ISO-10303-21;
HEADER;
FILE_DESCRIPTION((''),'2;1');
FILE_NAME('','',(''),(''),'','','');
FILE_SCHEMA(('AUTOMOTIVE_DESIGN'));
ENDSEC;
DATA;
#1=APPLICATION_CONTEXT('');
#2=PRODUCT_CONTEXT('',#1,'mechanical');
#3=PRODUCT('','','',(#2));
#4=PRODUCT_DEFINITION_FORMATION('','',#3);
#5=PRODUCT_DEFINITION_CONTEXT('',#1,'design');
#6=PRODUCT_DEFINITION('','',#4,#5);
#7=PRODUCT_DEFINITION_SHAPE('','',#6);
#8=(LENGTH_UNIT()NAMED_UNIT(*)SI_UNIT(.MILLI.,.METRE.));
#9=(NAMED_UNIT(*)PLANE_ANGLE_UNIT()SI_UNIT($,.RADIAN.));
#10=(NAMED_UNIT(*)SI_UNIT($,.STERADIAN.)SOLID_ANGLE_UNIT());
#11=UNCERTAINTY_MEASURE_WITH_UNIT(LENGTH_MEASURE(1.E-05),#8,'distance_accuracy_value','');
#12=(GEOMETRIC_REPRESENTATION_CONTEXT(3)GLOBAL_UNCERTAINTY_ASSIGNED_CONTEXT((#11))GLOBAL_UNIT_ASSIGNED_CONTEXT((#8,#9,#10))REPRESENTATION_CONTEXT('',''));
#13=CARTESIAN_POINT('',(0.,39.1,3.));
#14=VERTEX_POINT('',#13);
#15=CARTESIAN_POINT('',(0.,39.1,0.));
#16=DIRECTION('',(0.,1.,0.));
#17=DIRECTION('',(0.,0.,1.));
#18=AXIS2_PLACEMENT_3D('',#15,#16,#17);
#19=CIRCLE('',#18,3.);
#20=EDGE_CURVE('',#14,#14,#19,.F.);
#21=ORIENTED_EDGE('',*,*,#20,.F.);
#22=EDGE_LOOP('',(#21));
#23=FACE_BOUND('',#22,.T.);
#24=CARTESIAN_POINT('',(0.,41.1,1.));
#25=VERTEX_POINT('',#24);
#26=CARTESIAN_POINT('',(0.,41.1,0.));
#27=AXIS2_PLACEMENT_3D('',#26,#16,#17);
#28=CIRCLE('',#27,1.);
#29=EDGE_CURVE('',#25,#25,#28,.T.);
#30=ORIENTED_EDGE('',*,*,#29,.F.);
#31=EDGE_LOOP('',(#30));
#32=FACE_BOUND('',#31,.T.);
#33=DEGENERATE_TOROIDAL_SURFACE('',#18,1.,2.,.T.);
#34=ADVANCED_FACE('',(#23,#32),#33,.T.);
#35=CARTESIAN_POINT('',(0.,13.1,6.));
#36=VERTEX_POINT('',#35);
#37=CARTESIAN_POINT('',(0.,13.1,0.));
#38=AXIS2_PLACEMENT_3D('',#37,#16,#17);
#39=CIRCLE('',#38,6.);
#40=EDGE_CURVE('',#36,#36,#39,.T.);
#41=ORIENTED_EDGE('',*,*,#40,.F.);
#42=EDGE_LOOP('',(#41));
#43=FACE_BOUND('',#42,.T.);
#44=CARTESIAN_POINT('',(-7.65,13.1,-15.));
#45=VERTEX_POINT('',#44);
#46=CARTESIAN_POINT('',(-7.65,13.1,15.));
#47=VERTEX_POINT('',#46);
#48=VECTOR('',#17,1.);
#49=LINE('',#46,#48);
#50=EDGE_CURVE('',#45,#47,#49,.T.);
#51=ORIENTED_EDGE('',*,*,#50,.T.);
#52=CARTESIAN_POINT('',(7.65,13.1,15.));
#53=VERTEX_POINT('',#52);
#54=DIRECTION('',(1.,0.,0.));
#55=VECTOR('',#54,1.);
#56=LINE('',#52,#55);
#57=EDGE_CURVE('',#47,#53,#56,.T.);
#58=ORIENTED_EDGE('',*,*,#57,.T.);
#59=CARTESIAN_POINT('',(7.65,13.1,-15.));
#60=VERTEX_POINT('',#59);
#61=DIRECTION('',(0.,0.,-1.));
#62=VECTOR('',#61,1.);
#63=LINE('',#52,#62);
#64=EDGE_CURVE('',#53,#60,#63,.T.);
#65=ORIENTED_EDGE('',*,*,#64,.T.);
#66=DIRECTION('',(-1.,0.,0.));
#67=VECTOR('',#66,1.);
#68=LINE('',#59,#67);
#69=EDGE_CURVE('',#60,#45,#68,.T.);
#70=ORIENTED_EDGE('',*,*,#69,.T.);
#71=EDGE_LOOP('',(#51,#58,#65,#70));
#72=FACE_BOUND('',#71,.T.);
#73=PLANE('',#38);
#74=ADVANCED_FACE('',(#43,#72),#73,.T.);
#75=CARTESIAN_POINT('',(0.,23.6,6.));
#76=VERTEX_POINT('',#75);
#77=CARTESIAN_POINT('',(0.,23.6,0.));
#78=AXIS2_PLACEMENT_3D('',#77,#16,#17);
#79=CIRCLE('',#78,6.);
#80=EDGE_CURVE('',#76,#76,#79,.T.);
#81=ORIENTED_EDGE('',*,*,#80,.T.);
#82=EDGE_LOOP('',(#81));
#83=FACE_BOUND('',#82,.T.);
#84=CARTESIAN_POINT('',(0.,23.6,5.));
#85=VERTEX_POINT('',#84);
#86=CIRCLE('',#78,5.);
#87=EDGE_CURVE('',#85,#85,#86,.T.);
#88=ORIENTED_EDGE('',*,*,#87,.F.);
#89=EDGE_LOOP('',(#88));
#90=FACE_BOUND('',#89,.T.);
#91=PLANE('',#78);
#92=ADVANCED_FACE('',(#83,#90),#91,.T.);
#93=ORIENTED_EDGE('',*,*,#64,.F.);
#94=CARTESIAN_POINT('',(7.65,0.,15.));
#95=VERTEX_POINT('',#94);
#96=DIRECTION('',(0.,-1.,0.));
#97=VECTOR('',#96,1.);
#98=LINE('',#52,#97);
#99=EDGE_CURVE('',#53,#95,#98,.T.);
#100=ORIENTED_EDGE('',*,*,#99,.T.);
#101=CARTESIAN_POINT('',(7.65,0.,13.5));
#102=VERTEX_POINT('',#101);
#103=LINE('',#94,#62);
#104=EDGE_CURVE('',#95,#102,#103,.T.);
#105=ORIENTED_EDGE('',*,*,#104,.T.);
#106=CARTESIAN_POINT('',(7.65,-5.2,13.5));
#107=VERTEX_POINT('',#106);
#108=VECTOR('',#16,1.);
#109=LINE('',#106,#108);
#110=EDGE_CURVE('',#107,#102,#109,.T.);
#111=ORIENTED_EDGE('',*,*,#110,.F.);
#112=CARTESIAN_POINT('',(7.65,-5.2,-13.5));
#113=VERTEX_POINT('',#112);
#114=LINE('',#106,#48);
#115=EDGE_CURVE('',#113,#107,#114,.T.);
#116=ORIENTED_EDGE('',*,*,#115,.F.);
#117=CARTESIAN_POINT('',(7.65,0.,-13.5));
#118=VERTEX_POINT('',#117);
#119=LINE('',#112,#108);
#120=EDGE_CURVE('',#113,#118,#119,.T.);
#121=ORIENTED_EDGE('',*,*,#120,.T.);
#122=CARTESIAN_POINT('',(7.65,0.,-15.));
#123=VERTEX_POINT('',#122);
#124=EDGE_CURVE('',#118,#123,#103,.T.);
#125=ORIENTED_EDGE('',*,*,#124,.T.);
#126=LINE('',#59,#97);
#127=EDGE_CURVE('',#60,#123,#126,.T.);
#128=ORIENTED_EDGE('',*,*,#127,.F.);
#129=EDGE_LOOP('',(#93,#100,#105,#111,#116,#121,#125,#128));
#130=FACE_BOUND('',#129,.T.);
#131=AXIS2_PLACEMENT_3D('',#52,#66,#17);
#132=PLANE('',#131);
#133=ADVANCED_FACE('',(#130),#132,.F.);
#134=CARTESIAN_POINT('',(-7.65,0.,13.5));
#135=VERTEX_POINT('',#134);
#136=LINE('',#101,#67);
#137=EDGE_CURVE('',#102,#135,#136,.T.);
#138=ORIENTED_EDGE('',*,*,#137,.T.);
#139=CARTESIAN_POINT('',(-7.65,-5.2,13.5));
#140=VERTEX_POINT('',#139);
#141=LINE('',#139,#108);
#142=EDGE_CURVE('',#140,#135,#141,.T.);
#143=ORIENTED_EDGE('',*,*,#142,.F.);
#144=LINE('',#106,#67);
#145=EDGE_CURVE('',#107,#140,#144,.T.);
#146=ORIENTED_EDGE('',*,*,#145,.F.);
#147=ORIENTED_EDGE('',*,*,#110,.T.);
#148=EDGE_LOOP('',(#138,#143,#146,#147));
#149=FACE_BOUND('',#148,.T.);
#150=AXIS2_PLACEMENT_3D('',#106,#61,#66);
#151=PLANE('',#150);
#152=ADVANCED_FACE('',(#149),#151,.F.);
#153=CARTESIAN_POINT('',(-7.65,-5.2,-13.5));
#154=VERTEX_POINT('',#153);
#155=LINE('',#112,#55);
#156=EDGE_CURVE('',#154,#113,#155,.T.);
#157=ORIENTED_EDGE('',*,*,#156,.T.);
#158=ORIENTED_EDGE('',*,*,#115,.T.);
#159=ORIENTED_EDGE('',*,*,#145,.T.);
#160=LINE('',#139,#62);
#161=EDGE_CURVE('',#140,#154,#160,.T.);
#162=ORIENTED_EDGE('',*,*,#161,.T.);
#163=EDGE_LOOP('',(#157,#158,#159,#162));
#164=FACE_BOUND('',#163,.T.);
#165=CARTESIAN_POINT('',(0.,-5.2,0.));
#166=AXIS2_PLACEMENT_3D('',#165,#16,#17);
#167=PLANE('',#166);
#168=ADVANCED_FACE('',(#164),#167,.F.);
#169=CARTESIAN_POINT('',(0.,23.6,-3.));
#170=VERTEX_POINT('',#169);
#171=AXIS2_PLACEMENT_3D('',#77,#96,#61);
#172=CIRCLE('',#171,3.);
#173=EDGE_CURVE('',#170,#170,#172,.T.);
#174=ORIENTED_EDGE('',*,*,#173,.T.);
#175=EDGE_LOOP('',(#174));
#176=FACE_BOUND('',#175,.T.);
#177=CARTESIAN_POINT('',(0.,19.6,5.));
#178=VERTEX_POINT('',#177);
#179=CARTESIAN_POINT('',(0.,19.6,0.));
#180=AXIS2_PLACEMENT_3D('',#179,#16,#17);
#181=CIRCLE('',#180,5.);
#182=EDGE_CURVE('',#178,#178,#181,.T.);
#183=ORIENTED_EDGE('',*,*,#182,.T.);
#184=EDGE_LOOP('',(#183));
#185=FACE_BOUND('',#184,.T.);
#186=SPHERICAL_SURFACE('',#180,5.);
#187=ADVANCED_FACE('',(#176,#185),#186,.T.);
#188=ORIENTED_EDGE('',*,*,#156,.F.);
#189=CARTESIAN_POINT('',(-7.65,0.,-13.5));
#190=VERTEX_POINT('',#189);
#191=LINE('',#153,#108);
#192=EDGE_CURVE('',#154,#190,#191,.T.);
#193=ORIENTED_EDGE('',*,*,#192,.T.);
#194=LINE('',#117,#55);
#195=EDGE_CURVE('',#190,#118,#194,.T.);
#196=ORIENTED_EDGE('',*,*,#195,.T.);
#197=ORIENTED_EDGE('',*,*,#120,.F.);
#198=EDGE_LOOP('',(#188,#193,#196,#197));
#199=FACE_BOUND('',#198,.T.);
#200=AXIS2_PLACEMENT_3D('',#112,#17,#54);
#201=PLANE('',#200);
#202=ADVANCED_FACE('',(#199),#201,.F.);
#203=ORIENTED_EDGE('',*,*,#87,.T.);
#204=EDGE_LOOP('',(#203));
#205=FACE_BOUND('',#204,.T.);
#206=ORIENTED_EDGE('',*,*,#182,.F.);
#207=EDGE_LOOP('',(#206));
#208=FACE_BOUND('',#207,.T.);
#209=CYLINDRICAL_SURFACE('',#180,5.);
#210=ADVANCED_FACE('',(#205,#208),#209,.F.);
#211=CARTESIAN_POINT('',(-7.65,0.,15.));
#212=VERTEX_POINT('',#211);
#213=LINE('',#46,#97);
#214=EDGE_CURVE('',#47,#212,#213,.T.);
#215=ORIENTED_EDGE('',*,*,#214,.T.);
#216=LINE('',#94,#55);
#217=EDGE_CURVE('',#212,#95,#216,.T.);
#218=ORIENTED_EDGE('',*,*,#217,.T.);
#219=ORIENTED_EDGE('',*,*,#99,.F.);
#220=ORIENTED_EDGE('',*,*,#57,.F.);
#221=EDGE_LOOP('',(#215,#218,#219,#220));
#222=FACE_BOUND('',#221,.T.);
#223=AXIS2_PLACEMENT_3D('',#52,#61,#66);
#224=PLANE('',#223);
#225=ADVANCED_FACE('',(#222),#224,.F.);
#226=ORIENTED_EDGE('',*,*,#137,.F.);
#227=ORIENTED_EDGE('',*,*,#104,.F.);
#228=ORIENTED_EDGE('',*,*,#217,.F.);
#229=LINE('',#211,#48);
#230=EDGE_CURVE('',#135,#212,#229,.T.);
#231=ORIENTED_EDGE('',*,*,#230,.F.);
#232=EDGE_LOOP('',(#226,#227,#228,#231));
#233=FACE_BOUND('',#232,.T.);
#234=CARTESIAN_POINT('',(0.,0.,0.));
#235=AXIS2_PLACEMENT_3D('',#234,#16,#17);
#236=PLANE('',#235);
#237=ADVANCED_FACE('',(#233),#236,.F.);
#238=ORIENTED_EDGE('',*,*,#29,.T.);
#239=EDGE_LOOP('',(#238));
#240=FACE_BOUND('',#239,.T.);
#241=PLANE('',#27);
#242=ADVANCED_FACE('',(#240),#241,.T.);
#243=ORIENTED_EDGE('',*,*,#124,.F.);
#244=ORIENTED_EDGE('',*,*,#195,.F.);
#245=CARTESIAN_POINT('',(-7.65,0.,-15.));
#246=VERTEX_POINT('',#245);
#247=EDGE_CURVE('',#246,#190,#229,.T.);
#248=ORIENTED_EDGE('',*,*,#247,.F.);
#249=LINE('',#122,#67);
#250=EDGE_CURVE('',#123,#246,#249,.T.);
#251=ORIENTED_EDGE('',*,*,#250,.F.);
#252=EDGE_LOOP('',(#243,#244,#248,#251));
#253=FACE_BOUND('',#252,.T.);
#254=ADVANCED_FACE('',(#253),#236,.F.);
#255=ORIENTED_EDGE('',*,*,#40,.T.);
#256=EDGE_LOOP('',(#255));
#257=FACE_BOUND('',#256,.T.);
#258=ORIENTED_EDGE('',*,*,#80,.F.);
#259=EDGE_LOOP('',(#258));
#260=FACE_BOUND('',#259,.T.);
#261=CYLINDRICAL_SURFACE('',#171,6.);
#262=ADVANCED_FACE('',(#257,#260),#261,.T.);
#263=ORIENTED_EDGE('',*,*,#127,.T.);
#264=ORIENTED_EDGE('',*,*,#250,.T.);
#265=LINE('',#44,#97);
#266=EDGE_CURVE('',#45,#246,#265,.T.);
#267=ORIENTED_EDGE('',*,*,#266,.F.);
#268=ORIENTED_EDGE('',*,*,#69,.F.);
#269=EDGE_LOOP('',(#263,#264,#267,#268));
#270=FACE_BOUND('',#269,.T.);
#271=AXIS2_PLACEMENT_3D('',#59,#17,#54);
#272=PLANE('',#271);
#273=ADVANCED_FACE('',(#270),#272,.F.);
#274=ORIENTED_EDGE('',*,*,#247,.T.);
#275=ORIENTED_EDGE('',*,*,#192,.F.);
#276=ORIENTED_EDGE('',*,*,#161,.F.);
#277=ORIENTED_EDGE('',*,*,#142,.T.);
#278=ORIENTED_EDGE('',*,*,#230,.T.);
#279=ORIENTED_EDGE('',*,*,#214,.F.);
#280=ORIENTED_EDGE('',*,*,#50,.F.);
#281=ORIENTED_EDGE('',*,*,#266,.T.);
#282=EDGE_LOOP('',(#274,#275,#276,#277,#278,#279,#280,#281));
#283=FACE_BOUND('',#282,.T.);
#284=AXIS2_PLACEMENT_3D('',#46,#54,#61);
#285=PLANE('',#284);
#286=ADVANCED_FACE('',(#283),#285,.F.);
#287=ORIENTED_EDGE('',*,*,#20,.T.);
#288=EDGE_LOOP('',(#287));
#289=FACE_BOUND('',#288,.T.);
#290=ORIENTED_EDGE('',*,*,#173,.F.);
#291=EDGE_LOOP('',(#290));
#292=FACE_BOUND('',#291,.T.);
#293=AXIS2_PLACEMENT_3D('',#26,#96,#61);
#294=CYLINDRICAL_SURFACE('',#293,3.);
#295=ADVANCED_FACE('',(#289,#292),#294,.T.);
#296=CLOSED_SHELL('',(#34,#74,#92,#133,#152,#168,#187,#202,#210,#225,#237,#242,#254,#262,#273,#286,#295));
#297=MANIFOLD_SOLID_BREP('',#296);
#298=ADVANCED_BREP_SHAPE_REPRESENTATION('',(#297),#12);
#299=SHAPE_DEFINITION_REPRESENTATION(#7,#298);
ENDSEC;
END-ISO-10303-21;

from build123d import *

# Parameters (mm, degrees)
SKETCH1_W           = 15.3
SKETCH1_H           = 30
BOSS_EXTRUDE1_DEPTH = 13.1
SKETCH2_R           = 6
BOSS_EXTRUDE2_DEPTH = 10.5
SKETCH4_R           = 5
CUT_EXTRUDE1_DEPTH  = 4
SKETCH5_R           = 3
BOSS_EXTRUDE3_DEPTH = 21.5
REVOLVE2_ANGLE      = 180
FILLET1_R           = 2
SKETCH6_W           = 15.3
SKETCH6_H           = 27
BOSS_EXTRUDE4_DEPTH = 5.2


with BuildPart() as part:
    # Sketch1 → Boss-Extrude1 (new body)
    with BuildSketch(Plane(origin=(0, 0, 0), x_dir=(1, 0, 0), z_dir=(0, 1, 0))):
        Rectangle(SKETCH1_W, SKETCH1_H)
    extrude(amount=BOSS_EXTRUDE1_DEPTH)

    # Sketch2 → Boss-Extrude2 (add)
    with BuildSketch(Plane(origin=(0, 13.1, 0), x_dir=(1, 0, 0), z_dir=(0, 1, 0))):
        Circle(SKETCH2_R)
    extrude(amount=BOSS_EXTRUDE2_DEPTH)

    # Sketch4 → Cut-Extrude1 (cut)
    with BuildSketch(Plane(origin=(0, 23.6, 0), x_dir=(1, 0, 0), z_dir=(0, 1, 0))):
        Circle(SKETCH4_R)
    extrude(amount=-CUT_EXTRUDE1_DEPTH, mode=Mode.SUBTRACT)

    # Sketch5 → Boss-Extrude3 (add)
    with BuildSketch(Plane(origin=(0, 19.6, 0), x_dir=(1, 0, 0), z_dir=(0, 1, 0))):
        Circle(SKETCH5_R)
    extrude(amount=BOSS_EXTRUDE3_DEPTH)

    # Sketch3 → Revolve2 (revolve)
    with BuildSketch(Plane(origin=(0, 19.6, 0), x_dir=(1, 0, 0), z_dir=(0, 1, 0))):
        with BuildLine():
            Line((0, -5), (0, 5))
            ThreePointArc((0, 5), (-5, 0), (0, -5))
        make_face()
    revolve(axis=Axis((0, 19.6, 6), (0, 0, -1)), revolution_arc=REVOLVE2_ANGLE)

    # Fillet1
    fillet1_edges = [part.edges().sort_by_distance(p)[0] for p in [
        (-3, 41.1, 0),
    ]]
    fillet(fillet1_edges, radius=FILLET1_R)

    # Sketch6 → Boss-Extrude4 (add)
    with BuildSketch(Plane.XZ):
        Rectangle(SKETCH6_W, SKETCH6_H)
    extrude(amount=BOSS_EXTRUDE4_DEPTH)


solid = part.part
